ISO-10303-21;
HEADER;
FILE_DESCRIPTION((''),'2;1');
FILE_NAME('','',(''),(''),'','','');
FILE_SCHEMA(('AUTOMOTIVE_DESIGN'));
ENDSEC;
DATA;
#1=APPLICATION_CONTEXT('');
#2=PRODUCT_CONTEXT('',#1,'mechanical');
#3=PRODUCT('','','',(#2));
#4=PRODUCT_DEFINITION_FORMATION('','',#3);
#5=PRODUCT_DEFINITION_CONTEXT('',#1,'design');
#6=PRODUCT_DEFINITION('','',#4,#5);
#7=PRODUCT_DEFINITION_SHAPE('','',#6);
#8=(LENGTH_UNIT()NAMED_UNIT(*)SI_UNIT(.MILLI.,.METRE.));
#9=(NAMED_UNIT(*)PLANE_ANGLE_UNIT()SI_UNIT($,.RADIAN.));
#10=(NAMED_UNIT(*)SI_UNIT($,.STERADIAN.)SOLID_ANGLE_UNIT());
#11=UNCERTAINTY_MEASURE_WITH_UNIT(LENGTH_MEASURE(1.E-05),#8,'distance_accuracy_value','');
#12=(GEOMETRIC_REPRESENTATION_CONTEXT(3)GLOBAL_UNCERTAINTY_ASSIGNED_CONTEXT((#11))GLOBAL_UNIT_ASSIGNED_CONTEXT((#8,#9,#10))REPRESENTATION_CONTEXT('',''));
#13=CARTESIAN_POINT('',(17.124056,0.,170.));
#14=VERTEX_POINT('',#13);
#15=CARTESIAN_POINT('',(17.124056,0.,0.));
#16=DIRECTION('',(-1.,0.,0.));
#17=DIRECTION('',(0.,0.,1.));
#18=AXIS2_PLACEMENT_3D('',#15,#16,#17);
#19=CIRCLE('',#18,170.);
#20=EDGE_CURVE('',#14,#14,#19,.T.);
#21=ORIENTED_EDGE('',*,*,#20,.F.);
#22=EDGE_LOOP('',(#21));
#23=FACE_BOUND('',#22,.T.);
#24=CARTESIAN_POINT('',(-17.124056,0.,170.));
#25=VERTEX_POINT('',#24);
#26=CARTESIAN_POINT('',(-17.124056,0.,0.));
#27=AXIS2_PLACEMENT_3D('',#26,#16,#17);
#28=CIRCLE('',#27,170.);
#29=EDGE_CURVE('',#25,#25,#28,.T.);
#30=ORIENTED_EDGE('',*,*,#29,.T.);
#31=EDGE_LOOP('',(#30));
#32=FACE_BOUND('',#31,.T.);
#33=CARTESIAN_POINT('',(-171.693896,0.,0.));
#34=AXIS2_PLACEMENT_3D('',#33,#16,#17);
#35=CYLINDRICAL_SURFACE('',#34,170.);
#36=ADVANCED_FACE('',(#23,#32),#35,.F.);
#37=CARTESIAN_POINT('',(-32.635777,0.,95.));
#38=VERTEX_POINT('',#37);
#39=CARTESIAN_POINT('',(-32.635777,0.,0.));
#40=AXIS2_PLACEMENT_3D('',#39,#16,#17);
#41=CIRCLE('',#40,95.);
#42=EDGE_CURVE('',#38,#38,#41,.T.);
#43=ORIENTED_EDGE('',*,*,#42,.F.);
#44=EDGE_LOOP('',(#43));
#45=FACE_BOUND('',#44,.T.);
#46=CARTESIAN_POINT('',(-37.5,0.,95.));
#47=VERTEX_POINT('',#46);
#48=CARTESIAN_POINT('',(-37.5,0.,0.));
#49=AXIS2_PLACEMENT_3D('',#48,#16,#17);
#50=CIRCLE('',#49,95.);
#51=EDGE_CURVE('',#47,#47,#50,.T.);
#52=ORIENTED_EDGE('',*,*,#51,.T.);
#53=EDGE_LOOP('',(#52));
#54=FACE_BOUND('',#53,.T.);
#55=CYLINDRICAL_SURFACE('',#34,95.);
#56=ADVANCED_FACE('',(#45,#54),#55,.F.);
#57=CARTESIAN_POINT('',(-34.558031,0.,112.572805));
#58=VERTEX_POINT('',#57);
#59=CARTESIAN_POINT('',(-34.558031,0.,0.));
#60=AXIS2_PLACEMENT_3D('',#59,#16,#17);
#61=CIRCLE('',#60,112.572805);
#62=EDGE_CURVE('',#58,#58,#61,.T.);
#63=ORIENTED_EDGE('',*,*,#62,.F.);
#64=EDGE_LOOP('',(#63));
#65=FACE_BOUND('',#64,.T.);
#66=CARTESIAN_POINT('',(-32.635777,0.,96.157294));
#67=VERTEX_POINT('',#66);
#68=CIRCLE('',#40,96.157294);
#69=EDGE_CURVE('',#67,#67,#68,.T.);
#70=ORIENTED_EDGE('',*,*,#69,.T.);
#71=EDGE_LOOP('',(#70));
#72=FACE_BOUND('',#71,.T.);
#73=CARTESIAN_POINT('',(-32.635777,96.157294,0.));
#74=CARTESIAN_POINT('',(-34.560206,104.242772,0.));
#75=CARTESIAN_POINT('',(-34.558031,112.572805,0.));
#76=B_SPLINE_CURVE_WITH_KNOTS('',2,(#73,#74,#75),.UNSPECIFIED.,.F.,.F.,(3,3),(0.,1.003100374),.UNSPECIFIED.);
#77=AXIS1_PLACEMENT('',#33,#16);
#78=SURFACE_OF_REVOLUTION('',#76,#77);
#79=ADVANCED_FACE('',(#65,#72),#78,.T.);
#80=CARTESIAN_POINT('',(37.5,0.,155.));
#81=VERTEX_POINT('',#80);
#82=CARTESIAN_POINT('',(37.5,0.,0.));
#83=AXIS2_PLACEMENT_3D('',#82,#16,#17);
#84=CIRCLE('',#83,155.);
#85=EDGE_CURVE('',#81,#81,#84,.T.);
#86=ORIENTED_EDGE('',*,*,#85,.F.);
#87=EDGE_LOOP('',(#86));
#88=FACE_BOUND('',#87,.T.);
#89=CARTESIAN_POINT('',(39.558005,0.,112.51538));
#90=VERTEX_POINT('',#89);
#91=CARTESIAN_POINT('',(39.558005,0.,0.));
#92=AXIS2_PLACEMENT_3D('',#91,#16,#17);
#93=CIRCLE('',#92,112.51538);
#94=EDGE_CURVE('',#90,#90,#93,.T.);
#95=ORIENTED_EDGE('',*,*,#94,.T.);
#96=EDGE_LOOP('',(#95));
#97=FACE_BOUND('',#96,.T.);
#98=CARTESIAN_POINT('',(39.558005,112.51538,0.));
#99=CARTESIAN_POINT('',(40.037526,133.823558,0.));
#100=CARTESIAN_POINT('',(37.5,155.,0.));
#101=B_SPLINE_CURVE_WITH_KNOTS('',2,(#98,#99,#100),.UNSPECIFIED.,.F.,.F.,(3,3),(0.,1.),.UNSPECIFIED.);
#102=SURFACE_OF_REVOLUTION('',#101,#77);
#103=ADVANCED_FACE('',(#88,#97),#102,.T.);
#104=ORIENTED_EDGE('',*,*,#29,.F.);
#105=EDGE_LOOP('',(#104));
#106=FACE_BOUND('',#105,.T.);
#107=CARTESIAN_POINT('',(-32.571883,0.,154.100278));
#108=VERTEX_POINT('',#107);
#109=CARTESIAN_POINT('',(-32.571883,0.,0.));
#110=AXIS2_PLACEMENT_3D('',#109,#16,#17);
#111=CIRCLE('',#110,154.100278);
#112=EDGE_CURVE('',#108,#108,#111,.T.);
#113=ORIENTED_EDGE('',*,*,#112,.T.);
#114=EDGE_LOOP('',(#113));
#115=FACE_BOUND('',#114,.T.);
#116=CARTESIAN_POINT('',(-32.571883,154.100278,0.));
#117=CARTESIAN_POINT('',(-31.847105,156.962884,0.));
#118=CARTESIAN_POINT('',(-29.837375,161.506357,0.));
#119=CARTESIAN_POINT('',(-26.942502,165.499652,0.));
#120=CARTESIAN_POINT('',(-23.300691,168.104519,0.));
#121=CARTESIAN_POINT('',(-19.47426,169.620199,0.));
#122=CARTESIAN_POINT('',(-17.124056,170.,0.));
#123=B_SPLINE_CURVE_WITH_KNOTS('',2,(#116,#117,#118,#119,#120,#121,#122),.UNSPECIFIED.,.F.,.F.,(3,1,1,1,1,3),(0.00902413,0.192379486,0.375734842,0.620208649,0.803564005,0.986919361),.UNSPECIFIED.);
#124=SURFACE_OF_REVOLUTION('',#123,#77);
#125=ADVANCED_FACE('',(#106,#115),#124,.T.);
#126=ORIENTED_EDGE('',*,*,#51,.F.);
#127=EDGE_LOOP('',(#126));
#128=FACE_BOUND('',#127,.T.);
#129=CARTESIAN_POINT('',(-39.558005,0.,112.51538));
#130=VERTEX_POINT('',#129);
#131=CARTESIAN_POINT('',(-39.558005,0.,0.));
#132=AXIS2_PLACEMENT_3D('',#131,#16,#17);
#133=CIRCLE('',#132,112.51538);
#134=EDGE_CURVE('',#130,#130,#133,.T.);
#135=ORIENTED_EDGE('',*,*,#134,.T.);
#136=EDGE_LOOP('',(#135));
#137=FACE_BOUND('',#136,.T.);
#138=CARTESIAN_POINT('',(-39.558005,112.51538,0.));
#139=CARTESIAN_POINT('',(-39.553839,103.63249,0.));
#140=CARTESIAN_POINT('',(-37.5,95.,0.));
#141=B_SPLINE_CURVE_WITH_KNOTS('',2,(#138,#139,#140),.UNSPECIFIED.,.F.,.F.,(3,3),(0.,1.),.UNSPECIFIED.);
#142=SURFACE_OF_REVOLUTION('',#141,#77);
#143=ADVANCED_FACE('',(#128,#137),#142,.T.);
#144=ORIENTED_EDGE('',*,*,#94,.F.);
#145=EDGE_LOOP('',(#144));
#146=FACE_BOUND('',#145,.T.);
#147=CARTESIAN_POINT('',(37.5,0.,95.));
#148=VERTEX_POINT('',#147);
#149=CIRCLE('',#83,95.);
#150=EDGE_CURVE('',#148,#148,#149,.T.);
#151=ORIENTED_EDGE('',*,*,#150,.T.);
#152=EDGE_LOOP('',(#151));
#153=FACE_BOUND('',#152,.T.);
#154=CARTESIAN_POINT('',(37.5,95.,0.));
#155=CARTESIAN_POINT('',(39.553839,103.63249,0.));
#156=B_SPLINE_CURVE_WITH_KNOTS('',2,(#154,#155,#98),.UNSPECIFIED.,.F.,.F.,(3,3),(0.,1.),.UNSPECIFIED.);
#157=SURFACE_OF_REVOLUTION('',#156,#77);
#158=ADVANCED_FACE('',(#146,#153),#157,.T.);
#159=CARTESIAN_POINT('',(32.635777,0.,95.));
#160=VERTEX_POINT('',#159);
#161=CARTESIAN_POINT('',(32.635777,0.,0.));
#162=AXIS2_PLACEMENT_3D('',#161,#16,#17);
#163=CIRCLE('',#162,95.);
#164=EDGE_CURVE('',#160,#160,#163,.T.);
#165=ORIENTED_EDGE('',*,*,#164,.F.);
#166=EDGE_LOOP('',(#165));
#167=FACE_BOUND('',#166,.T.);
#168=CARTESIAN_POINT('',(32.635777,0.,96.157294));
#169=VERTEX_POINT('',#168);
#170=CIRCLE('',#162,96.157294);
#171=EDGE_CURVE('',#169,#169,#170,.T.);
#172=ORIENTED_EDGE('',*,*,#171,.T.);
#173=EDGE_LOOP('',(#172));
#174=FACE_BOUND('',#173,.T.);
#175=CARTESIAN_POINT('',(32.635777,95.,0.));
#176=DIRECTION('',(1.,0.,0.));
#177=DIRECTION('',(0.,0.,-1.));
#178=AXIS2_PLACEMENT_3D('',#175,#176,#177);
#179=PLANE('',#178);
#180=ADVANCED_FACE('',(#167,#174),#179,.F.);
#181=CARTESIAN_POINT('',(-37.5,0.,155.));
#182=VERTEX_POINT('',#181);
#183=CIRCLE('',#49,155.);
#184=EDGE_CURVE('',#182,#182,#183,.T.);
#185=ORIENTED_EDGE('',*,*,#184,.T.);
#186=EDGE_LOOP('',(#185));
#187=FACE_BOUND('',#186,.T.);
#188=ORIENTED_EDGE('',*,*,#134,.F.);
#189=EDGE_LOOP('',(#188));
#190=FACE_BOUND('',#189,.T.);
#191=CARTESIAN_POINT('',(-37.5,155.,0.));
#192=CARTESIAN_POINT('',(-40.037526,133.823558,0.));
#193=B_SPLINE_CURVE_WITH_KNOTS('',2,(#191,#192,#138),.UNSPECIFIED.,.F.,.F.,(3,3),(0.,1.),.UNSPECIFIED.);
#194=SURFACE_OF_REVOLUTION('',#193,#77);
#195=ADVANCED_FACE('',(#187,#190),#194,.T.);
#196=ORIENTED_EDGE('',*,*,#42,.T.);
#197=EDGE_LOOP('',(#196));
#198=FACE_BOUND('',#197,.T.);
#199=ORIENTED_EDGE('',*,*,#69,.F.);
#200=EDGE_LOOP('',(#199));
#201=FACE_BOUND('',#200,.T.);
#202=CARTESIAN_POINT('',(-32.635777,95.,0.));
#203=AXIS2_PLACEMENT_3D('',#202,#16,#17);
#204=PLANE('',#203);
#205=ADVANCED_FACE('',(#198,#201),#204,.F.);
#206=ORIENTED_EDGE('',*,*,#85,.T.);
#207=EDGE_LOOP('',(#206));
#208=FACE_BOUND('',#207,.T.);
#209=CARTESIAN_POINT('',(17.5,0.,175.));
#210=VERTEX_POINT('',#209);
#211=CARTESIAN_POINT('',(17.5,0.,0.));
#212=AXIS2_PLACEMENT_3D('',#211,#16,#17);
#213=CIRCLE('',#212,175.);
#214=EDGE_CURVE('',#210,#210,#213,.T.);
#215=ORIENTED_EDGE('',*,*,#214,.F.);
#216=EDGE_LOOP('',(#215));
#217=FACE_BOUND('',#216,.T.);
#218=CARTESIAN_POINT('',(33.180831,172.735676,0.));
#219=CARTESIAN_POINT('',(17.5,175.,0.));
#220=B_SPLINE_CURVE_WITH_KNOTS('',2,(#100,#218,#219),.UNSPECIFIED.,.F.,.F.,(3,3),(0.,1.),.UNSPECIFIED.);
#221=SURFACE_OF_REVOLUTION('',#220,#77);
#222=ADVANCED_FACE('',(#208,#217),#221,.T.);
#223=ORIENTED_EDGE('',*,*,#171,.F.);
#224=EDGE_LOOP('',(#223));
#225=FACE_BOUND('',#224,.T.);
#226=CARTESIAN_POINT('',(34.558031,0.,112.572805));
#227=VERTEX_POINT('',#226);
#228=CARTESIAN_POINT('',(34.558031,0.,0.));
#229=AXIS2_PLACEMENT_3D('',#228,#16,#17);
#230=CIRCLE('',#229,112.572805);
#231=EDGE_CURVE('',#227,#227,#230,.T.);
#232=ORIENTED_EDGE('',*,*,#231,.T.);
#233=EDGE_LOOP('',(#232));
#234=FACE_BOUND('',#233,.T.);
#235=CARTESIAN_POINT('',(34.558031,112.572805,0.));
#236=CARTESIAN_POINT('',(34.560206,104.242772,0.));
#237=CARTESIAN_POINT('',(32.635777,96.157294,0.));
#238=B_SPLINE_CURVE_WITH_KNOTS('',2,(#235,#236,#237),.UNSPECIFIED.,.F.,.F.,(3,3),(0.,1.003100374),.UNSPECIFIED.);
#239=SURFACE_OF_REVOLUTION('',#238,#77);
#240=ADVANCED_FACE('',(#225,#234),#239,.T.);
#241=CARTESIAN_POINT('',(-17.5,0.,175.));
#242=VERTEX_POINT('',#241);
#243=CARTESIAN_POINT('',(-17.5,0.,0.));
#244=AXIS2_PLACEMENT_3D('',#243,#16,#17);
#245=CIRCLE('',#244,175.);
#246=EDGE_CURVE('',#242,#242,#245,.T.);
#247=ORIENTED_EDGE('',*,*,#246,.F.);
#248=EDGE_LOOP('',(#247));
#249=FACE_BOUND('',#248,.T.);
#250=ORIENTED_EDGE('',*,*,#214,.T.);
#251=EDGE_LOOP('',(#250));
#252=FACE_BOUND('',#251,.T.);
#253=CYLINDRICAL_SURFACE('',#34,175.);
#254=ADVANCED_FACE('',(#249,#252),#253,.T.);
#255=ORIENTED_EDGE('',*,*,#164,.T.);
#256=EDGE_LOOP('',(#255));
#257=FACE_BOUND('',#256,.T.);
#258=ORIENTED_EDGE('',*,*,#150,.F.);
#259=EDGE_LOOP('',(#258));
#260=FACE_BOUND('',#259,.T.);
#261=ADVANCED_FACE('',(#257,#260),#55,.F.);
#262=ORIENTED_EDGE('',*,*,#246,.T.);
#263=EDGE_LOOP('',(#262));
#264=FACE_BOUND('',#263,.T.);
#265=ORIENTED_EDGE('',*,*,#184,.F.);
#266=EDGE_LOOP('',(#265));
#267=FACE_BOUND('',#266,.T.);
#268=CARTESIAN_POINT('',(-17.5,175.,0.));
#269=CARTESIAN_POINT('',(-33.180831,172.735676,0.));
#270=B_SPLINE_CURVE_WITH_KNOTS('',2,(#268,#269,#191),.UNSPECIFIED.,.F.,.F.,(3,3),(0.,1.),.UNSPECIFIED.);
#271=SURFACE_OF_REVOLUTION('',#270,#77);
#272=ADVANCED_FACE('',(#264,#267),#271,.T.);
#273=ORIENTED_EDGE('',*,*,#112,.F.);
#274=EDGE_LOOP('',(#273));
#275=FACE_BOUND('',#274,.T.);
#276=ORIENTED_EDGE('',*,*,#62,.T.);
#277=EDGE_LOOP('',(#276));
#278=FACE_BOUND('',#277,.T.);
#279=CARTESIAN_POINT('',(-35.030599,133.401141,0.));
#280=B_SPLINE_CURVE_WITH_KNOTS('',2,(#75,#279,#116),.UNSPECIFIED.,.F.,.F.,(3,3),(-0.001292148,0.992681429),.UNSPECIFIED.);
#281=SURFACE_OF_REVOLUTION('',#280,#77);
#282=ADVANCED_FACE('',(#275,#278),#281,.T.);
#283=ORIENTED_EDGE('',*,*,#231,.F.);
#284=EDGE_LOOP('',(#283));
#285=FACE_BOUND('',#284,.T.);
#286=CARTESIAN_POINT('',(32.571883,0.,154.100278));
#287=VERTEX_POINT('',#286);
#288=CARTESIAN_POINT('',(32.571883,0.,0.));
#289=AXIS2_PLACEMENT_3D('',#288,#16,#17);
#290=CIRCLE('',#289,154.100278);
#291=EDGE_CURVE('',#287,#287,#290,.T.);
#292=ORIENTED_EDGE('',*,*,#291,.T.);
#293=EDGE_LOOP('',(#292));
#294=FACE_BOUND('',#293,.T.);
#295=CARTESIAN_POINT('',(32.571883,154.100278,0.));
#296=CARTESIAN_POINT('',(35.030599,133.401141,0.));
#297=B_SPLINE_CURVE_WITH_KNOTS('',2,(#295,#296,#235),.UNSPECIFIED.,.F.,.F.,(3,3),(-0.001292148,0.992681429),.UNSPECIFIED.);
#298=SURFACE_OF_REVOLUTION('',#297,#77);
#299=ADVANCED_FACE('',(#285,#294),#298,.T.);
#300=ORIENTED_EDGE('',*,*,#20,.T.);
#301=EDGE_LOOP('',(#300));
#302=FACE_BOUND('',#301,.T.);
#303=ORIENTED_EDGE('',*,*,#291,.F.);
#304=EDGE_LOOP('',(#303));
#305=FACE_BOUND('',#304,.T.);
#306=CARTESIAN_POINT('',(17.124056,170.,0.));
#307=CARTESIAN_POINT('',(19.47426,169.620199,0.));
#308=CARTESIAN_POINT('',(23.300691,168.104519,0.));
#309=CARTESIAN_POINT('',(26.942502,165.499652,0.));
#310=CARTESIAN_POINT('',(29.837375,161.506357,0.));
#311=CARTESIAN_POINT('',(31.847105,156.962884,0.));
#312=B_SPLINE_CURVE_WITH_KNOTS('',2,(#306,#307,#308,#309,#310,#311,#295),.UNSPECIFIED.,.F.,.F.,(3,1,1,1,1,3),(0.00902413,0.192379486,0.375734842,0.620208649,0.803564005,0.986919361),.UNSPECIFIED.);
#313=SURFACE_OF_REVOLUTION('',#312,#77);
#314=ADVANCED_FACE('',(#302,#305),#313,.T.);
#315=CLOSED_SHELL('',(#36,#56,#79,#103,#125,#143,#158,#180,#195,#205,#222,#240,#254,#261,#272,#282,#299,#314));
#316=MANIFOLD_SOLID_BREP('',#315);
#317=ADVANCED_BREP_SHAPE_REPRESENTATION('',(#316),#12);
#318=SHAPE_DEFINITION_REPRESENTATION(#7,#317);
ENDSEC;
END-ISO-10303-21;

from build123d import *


with BuildPart() as part:
    # Çizim2 → Döndür2 (revolve)
    with BuildSketch(Plane.XY, mode=Mode.PRIVATE) as d_nd_r2_sk:
        with BuildLine():
            Line((-17.5, 175), (17.5, 175))
            add(Edge.make_bspline(
                [(37.5, 155), (33.180831077, 172.735676283), (17.5, 175)],
                knots=[0, 0, 0, 1, 1, 1], degree=2))
            add(Edge.make_bspline(
                [(39.558004611, 112.515379933), (40.037526358, 133.823558291), (37.5, 155)],
                knots=[0, 0, 0, 1, 1, 1], degree=2))
            add(Edge.make_bspline(
                [(37.5, 95), (39.553838697, 103.632489558), (39.558004611, 112.515379933)],
                knots=[0, 0, 0, 1, 1, 1], degree=2))
            Line((37.5, 95), (32.635776521, 95))
            Line((32.635776521, 95), (32.635776521, 96.157294236))
            add(Edge.make_bspline(
                [(34.558030993, 112.572805408), (34.560206153, 104.242772286), (32.635776521, 96.157294236)],
                knots=[0, 0, 0, 1.003100374, 1.003100374, 1.003100374], degree=2))
            add(Edge.make_bspline(
                [(32.571883188, 154.100277592), (35.030598816, 133.401140869), (34.558030993, 112.572805408)],
                knots=[-0.001292148, -0.001292148, -0.001292148, 0.992681429, 0.992681429, 0.992681429], degree=2))
            add(Edge.make_bspline(
                [(17.124055566, 170), (19.474259763, 169.620198998), (23.300690577, 168.10451916), (26.942501614, 165.499652433), (29.8373746, 161.506356907), (31.847105471, 156.962883589), (32.571883188, 154.100277592)],
                knots=[0.00902413, 0.00902413, 0.00902413, 0.192379486, 0.375734842, 0.620208649, 0.803564005, 0.986919361, 0.986919361, 0.986919361], degree=2))
            Line((17.124055566, 170), (-17.124055566, 170))
            add(Edge.make_bspline(
                [(-32.571883188, 154.100277592), (-31.847105471, 156.962883589), (-29.8373746, 161.506356907), (-26.942501614, 165.499652433), (-23.300690577, 168.10451916), (-19.474259763, 169.620198998), (-17.124055566, 170)],
                knots=[0.00902413, 0.00902413, 0.00902413, 0.192379486, 0.375734842, 0.620208649, 0.803564005, 0.986919361, 0.986919361, 0.986919361], degree=2))
            add(Edge.make_bspline(
                [(-34.558030993, 112.572805408), (-35.030598816, 133.401140869), (-32.571883188, 154.100277592)],
                knots=[-0.001292148, -0.001292148, -0.001292148, 0.992681429, 0.992681429, 0.992681429], degree=2))
            add(Edge.make_bspline(
                [(-32.635776521, 96.157294236), (-34.560206153, 104.242772286), (-34.558030993, 112.572805408)],
                knots=[0, 0, 0, 1.003100374, 1.003100374, 1.003100374], degree=2))
            Line((-32.635776521, 96.157294236), (-32.635776521, 95))
            Line((-32.635776521, 95), (-37.5, 95))
            add(Edge.make_bspline(
                [(-37.5, 95), (-39.553838697, 103.632489558), (-39.558004611, 112.515379933)],
                knots=[0, 0, 0, 1, 1, 1], degree=2))
            add(Edge.make_bspline(
                [(-39.558004611, 112.515379933), (-40.037526358, 133.823558291), (-37.5, 155)],
                knots=[0, 0, 0, 1, 1, 1], degree=2))
            add(Edge.make_bspline(
                [(-37.5, 155), (-33.180831077, 172.735676283), (-17.5, 175)],
                knots=[0, 0, 0, 1, 1, 1], degree=2))
        make_face()
    revolve(d_nd_r2_sk.sketch.rotate(Axis((-171.693896407, 0, 0), (1, 0, 0)), 90), axis=Axis((-171.693896407, 0, 0), (1, 0, 0)))


solid = part.part
